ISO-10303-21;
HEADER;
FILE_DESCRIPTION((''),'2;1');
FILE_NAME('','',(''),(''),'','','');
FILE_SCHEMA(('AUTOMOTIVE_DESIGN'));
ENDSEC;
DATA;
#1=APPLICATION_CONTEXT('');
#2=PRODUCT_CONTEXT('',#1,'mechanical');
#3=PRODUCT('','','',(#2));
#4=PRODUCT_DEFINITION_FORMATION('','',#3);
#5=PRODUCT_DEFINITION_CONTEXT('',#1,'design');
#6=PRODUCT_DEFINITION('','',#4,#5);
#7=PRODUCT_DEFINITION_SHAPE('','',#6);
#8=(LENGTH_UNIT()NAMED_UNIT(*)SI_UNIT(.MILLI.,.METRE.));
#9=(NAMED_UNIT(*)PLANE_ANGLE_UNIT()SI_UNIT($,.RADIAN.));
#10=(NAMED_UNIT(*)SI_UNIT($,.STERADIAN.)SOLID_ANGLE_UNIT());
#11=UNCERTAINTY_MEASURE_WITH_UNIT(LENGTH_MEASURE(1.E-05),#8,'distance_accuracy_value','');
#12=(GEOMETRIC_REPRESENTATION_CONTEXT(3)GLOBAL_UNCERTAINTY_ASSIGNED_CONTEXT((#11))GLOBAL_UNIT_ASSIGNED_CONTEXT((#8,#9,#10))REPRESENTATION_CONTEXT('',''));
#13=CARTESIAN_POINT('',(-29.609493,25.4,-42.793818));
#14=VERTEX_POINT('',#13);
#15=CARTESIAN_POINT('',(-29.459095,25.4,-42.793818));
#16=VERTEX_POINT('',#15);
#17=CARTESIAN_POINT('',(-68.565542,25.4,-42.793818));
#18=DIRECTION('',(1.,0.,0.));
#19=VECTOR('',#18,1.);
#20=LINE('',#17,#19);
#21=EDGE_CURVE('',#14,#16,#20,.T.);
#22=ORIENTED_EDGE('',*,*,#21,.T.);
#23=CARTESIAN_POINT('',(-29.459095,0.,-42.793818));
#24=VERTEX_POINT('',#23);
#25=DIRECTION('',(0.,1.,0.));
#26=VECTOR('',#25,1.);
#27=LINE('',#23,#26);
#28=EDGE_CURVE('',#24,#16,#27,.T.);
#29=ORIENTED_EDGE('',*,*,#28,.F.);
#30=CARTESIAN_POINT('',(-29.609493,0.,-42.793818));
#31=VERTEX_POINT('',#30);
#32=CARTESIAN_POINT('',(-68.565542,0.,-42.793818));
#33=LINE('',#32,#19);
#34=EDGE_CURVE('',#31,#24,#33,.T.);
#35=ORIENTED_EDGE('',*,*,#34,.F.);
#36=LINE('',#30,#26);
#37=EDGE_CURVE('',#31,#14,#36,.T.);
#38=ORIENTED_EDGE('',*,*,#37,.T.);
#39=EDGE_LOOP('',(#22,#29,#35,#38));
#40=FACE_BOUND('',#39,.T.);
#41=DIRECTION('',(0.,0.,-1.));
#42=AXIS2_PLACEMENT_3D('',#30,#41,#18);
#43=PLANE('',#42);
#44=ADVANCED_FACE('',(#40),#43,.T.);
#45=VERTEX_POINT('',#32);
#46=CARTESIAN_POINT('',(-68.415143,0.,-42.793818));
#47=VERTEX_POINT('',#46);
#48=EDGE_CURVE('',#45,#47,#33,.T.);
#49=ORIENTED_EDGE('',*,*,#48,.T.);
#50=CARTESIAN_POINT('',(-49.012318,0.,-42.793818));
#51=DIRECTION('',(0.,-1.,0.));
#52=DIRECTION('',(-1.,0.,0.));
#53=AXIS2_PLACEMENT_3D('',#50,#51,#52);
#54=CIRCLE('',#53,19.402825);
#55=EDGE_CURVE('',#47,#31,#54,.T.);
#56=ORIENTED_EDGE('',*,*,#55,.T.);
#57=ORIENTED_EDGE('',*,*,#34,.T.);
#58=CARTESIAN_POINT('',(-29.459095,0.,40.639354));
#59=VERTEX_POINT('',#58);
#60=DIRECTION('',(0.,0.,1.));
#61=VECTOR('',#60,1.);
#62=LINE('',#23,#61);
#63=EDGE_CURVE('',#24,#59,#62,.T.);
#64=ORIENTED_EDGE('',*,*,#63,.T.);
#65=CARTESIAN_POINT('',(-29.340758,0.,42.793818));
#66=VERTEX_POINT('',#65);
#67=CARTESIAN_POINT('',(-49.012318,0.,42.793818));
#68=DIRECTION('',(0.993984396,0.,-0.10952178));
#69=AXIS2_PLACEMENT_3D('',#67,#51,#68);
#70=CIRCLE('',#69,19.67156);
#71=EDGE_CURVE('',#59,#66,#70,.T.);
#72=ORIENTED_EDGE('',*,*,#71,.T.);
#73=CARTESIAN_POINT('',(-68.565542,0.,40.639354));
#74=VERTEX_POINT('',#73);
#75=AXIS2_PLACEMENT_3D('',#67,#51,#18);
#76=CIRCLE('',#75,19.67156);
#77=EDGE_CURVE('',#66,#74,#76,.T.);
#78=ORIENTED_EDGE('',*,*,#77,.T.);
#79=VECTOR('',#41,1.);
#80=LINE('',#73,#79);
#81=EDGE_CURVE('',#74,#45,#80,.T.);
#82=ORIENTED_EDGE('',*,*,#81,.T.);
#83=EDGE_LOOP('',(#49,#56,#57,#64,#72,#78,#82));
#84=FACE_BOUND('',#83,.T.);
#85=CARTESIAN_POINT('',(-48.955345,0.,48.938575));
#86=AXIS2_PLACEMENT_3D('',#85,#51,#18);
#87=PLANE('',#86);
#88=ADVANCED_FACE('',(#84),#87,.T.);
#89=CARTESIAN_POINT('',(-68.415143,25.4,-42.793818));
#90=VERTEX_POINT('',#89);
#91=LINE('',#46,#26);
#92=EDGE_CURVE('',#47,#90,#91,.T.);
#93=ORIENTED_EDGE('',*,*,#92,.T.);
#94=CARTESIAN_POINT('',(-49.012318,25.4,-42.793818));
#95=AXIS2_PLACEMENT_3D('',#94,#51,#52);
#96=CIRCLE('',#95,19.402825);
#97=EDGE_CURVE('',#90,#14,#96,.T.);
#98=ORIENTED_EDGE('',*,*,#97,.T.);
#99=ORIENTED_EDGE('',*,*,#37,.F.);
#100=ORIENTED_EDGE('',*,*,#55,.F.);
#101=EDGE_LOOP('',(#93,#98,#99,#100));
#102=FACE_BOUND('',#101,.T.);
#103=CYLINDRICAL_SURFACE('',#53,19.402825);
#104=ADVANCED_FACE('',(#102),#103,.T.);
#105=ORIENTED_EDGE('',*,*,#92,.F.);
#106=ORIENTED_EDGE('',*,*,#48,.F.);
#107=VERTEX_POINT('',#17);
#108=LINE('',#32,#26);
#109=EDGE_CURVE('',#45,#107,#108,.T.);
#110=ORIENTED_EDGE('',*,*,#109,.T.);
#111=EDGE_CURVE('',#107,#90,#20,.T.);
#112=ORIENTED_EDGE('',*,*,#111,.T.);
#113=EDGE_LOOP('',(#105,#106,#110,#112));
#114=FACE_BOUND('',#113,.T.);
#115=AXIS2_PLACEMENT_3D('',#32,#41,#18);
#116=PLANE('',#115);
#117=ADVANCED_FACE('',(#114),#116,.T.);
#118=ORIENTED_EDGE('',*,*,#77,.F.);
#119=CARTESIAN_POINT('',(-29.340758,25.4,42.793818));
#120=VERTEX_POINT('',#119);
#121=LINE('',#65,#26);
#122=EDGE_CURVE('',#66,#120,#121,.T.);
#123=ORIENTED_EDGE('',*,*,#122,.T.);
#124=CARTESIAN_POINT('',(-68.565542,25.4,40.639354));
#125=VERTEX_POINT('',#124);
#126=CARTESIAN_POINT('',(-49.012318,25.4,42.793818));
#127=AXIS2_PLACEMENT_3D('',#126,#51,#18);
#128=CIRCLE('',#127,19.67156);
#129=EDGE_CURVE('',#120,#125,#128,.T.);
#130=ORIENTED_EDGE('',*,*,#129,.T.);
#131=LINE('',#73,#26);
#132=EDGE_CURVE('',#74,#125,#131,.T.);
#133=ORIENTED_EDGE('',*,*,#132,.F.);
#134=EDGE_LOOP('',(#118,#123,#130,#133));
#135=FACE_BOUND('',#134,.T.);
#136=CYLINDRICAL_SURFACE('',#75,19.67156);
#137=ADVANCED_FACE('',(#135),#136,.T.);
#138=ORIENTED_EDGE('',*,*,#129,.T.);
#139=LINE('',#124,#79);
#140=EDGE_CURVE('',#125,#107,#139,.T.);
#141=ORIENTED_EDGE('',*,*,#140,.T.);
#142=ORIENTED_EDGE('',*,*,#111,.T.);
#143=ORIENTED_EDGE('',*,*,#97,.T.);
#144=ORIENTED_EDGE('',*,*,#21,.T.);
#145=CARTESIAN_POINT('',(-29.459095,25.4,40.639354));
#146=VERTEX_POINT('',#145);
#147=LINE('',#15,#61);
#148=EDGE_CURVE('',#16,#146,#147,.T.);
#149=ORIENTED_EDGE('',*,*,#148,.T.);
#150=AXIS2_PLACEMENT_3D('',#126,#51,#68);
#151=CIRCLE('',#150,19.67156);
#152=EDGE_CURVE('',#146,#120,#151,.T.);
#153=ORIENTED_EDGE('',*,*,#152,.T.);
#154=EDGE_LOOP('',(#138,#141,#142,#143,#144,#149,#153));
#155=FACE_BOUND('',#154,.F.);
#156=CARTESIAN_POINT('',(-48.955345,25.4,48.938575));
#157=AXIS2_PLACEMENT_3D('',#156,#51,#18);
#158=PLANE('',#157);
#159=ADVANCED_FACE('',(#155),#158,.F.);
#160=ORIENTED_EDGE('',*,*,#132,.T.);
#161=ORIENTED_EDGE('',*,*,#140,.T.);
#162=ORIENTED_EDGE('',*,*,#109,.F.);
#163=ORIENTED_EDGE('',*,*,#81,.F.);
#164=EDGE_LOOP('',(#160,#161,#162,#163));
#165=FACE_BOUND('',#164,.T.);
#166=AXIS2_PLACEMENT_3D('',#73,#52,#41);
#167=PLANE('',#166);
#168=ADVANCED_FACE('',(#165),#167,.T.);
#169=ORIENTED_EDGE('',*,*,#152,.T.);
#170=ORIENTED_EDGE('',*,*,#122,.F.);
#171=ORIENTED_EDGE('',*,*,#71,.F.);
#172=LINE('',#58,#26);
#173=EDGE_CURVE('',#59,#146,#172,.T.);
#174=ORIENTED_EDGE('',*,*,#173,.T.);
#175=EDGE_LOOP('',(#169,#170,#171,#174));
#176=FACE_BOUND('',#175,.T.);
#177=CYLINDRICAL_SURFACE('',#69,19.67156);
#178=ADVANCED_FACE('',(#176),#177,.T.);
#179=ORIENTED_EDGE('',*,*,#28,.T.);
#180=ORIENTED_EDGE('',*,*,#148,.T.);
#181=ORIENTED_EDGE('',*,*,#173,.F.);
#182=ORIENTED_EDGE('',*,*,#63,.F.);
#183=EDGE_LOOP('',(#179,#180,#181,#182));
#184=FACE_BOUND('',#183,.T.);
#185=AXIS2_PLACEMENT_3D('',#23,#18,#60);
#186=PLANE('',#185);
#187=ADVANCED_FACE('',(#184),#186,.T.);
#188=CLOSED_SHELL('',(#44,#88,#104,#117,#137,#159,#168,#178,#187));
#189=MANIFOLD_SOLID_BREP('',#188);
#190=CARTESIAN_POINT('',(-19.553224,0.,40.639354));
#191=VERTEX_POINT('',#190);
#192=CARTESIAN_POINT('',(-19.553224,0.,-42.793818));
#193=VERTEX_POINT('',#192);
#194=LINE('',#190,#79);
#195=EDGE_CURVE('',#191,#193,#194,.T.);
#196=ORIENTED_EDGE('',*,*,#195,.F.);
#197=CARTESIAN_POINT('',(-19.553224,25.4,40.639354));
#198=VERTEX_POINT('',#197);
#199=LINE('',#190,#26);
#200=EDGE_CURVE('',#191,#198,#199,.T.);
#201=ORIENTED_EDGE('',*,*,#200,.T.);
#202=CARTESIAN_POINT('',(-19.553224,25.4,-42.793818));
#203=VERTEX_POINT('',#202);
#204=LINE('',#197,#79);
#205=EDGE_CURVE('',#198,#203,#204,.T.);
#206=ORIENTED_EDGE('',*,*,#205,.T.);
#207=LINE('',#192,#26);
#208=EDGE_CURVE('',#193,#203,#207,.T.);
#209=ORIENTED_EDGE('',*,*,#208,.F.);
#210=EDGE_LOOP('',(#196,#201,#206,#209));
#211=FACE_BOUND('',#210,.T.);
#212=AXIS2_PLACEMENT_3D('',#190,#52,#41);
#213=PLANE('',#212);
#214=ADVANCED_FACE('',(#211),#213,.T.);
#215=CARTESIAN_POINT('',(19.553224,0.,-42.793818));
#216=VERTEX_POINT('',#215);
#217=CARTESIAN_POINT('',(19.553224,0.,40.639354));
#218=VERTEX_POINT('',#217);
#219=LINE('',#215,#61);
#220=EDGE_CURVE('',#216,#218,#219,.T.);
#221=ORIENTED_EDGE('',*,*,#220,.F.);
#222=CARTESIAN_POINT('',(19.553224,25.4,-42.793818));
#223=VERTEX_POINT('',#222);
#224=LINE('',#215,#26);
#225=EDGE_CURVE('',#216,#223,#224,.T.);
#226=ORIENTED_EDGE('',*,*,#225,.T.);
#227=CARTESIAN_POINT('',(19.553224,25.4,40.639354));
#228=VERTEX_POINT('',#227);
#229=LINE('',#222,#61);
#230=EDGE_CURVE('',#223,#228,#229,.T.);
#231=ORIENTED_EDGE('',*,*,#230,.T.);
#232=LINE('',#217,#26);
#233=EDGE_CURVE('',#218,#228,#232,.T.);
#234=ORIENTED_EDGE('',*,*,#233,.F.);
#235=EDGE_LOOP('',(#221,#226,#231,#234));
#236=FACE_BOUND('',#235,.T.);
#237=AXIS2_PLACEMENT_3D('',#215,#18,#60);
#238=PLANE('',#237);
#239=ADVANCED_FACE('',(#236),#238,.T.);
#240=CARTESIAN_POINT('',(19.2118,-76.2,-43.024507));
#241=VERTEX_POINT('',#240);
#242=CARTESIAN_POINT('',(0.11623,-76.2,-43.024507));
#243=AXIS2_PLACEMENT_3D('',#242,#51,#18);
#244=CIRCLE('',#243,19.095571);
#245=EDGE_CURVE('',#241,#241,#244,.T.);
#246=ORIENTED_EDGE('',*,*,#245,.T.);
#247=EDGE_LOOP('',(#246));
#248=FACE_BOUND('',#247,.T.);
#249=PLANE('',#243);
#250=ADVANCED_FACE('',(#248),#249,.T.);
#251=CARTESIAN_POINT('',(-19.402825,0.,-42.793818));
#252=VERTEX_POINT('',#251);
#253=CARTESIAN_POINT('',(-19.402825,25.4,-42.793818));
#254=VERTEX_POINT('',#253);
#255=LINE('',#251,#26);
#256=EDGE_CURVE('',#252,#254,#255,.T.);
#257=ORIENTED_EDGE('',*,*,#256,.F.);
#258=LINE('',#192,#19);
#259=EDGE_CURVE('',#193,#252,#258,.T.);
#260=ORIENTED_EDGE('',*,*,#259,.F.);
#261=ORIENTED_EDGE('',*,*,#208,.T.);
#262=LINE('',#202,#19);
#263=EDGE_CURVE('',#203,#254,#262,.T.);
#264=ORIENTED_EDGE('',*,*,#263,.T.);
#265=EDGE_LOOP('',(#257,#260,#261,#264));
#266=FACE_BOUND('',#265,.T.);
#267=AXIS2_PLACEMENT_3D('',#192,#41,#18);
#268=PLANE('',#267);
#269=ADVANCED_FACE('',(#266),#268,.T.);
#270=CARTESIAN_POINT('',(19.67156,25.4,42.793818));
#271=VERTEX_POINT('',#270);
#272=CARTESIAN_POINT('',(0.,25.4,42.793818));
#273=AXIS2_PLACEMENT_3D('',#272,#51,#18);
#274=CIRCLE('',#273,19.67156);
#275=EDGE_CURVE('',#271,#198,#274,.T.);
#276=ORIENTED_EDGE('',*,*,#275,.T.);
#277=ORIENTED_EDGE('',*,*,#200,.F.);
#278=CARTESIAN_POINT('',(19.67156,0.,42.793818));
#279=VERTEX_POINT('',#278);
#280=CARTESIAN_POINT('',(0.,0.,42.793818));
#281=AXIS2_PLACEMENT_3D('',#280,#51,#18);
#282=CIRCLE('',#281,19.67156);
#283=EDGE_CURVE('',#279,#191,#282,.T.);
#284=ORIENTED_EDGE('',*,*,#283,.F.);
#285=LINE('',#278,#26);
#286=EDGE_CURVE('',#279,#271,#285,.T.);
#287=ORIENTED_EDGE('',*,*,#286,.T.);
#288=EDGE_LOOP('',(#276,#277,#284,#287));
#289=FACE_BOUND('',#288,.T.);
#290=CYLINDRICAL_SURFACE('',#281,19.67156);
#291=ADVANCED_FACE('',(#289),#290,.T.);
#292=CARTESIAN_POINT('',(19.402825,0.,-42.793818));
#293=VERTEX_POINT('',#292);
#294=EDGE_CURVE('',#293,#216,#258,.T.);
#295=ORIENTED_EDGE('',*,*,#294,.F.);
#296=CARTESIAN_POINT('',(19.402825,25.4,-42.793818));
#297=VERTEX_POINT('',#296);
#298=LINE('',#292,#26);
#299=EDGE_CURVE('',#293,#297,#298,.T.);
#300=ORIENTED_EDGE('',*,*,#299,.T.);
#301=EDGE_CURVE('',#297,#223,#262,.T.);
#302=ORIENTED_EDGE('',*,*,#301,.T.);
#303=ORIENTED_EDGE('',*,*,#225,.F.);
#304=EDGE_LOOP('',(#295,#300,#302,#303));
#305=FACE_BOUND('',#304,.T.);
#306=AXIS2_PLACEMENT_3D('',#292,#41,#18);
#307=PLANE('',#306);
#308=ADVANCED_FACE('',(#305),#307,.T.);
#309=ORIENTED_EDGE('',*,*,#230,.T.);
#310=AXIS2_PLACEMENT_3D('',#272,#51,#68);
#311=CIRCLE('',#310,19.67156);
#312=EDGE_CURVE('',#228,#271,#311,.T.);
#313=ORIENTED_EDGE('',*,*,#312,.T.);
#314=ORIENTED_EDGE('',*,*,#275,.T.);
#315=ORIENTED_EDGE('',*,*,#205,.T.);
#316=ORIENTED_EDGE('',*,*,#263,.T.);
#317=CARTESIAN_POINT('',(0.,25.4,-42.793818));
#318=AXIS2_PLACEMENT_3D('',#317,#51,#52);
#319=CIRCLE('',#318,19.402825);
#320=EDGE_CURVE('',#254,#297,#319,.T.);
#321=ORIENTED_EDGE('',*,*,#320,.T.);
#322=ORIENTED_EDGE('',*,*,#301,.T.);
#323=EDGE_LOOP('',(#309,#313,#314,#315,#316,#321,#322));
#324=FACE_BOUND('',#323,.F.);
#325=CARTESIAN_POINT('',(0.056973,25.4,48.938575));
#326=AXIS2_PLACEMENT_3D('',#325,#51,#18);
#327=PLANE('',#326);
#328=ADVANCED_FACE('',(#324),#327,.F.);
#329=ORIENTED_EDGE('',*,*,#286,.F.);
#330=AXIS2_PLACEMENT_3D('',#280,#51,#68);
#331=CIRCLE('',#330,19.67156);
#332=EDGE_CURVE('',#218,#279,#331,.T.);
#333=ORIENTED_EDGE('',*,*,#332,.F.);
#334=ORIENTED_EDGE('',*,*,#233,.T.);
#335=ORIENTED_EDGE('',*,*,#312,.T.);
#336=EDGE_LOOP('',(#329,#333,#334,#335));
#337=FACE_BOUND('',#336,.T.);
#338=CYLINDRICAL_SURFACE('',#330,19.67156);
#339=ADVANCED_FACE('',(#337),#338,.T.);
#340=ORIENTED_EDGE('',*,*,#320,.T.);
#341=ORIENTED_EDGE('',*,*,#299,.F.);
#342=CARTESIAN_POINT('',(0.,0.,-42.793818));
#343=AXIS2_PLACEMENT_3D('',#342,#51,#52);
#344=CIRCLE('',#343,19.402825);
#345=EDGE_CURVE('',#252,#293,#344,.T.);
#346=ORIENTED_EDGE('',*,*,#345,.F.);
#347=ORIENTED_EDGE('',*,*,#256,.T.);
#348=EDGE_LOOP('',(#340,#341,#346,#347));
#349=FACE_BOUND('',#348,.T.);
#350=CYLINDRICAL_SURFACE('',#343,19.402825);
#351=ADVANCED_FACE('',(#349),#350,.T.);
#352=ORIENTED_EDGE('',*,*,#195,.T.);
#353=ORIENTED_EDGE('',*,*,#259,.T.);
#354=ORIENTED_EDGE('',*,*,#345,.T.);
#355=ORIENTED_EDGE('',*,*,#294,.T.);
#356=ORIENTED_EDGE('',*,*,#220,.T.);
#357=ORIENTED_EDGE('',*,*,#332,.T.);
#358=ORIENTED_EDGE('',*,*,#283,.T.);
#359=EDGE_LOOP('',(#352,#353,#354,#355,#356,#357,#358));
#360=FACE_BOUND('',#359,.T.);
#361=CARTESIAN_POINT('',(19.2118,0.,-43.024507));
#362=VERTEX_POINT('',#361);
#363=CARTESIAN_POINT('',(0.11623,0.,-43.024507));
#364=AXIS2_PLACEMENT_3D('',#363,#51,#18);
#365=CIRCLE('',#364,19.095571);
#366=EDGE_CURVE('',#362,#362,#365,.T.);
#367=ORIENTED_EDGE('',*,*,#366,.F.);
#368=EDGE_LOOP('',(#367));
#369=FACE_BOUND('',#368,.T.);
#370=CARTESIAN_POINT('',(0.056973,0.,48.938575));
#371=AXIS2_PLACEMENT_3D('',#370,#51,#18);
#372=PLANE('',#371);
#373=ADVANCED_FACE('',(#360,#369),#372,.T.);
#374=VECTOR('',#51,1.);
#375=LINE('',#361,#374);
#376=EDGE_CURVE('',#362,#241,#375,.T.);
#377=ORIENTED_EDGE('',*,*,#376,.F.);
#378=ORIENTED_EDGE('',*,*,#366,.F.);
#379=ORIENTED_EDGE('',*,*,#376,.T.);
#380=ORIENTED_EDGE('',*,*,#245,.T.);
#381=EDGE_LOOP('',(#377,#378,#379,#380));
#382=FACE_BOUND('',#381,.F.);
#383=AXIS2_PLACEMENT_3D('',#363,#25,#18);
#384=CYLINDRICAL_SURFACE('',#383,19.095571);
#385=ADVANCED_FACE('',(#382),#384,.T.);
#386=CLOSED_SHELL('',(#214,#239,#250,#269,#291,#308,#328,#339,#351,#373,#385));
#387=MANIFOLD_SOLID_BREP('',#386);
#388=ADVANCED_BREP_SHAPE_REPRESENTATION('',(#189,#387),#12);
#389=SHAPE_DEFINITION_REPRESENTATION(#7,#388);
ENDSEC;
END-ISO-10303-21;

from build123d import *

# Parameters (mm, degrees)
F1_DEPTH = 25.4
F2_R     = 19.0955706626
F3_DEPTH = 76.2
F5_DEPTH = 25.4


with BuildPart() as f1:
    # F0 (on Front) → F1 (new body)
    with BuildSketch(Plane.XZ):
        with BuildLine():
            Line((-19.5532236248, 40.6393535502), (-19.5532236248, 42.7938178182))
            Line((-19.5532236248, 42.7938178182), (19.5532236248, 42.7938178182))
            Line((19.5532236248, 42.7938178182), (19.5532236248, 40.6393535502))
            ThreePointArc((19.5532236248, 40.6393535502), (19.6419535806, 41.7149619699), (19.6715599383, 42.7938178182))
            ThreePointArc((19.6715599383, 42.7938178182), (-1.0788558483, 62.4357713988), (-19.5532236248, 40.6393535502))
        make_face()
        with BuildLine():
            Line((19.5532236248, 42.7938178182), (-19.5532236248, 42.7938178182))
            Line((-19.5532236248, 42.7938178182), (-19.5532236248, 40.6393535502))
            ThreePointArc((-19.5532236248, 40.6393535502), (0, 23.1222578799), (19.5532236248, 40.6393535502))
            Line((19.5532236248, 40.6393535502), (19.5532236248, 42.7938178182))
        make_face()
        with BuildLine():
            ThreePointArc((19.5532236248, 40.6393535502), (0, 23.1222578799), (-19.5532236248, 40.6393535502))
            Line((-19.5532236248, 40.6393535502), (-19.5532236248, -42.7938178182))
            Line((-19.5532236248, -42.7938178182), (-19.4028248978, -42.7938178182))
            ThreePointArc((-19.4028248978, -42.7938178182), (0, -23.3909929204), (19.4028248978, -42.7938178182))
            Line((19.4028248978, -42.7938178182), (19.5532236248, -42.7938178182))
            Line((19.5532236248, -42.7938178182), (19.5532236248, 40.6393535502))
        make_face()
        with BuildLine():
            ThreePointArc((19.4028248978, -42.7938178182), (0, -23.3909929204), (-19.4028248978, -42.7938178182))
            Line((-19.4028248978, -42.7938178182), (19.4028248978, -42.7938178182))
        make_face()
        with BuildLine():
            Line((19.4028248978, -42.7938178182), (-19.4028248978, -42.7938178182))
            ThreePointArc((-19.4028248978, -42.7938178182), (0, -62.196642716), (19.4028248978, -42.7938178182))
        make_face()
    extrude(amount=-F1_DEPTH)

    # F2 (on Front) → F3 (join)
    with BuildSketch(Plane.XZ):
        with Locations((0.1162295012, -43.0245069627)):
            Circle(F2_R)
    extrude(amount=F3_DEPTH)


with BuildPart() as f5:
    # F4 (on Front) → F5 (new body)
    with BuildSketch(Plane.XZ):
        with BuildLine():
            Line((-68.5655418783, 40.6393535502), (-68.5655418783, 42.7938178182))
            Line((-68.5655418783, 42.7938178182), (-29.4590946287, 42.7938178182))
            Line((-29.4590946287, 42.7938178182), (-29.4590946287, 40.6393535502))
            ThreePointArc((-29.4590946287, 40.6393535502), (-29.3703646729, 41.7149619699), (-29.3407583153, 42.7938178182))
            ThreePointArc((-29.3407583153, 42.7938178182), (-50.0911741018, 62.4357713988), (-68.5655418783, 40.6393535502))
        make_face()
        with BuildLine():
            Line((-29.4590946287, 42.7938178182), (-68.5655418783, 42.7938178182))
            Line((-68.5655418783, 42.7938178182), (-68.5655418783, 40.6393535502))
            ThreePointArc((-68.5655418783, 40.6393535502), (-49.0123182535, 23.1222578799), (-29.4590946287, 40.6393535502))
            Line((-29.4590946287, 40.6393535502), (-29.4590946287, 42.7938178182))
        make_face()
        with BuildLine():
            ThreePointArc((-29.4590946287, 40.6393535502), (-49.0123182535, 23.1222578799), (-68.5655418783, 40.6393535502))
            Line((-68.5655418783, 40.6393535502), (-68.5655418783, -42.7938178182))
            Line((-68.5655418783, -42.7938178182), (-68.4151431513, -42.7938178182))
            ThreePointArc((-68.4151431513, -42.7938178182), (-49.0123182535, -23.3909929204), (-29.6094933557, -42.7938178182))
            Line((-29.6094933557, -42.7938178182), (-29.4590946287, -42.7938178182))
            Line((-29.4590946287, -42.7938178182), (-29.4590946287, 40.6393535502))
        make_face()
        with BuildLine():
            ThreePointArc((-29.6094933557, -42.7938178182), (-49.0123182535, -23.3909929204), (-68.4151431513, -42.7938178182))
            Line((-68.4151431513, -42.7938178182), (-29.6094933557, -42.7938178182))
        make_face()
        with BuildLine():
            Line((-29.6094933557, -42.7938178182), (-68.4151431513, -42.7938178182))
            ThreePointArc((-68.4151431513, -42.7938178182), (-49.0123182535, -62.196642716), (-29.6094933557, -42.7938178182))
        make_face()
    extrude(amount=-F5_DEPTH)


solid = Compound([f1.part, f5.part])
